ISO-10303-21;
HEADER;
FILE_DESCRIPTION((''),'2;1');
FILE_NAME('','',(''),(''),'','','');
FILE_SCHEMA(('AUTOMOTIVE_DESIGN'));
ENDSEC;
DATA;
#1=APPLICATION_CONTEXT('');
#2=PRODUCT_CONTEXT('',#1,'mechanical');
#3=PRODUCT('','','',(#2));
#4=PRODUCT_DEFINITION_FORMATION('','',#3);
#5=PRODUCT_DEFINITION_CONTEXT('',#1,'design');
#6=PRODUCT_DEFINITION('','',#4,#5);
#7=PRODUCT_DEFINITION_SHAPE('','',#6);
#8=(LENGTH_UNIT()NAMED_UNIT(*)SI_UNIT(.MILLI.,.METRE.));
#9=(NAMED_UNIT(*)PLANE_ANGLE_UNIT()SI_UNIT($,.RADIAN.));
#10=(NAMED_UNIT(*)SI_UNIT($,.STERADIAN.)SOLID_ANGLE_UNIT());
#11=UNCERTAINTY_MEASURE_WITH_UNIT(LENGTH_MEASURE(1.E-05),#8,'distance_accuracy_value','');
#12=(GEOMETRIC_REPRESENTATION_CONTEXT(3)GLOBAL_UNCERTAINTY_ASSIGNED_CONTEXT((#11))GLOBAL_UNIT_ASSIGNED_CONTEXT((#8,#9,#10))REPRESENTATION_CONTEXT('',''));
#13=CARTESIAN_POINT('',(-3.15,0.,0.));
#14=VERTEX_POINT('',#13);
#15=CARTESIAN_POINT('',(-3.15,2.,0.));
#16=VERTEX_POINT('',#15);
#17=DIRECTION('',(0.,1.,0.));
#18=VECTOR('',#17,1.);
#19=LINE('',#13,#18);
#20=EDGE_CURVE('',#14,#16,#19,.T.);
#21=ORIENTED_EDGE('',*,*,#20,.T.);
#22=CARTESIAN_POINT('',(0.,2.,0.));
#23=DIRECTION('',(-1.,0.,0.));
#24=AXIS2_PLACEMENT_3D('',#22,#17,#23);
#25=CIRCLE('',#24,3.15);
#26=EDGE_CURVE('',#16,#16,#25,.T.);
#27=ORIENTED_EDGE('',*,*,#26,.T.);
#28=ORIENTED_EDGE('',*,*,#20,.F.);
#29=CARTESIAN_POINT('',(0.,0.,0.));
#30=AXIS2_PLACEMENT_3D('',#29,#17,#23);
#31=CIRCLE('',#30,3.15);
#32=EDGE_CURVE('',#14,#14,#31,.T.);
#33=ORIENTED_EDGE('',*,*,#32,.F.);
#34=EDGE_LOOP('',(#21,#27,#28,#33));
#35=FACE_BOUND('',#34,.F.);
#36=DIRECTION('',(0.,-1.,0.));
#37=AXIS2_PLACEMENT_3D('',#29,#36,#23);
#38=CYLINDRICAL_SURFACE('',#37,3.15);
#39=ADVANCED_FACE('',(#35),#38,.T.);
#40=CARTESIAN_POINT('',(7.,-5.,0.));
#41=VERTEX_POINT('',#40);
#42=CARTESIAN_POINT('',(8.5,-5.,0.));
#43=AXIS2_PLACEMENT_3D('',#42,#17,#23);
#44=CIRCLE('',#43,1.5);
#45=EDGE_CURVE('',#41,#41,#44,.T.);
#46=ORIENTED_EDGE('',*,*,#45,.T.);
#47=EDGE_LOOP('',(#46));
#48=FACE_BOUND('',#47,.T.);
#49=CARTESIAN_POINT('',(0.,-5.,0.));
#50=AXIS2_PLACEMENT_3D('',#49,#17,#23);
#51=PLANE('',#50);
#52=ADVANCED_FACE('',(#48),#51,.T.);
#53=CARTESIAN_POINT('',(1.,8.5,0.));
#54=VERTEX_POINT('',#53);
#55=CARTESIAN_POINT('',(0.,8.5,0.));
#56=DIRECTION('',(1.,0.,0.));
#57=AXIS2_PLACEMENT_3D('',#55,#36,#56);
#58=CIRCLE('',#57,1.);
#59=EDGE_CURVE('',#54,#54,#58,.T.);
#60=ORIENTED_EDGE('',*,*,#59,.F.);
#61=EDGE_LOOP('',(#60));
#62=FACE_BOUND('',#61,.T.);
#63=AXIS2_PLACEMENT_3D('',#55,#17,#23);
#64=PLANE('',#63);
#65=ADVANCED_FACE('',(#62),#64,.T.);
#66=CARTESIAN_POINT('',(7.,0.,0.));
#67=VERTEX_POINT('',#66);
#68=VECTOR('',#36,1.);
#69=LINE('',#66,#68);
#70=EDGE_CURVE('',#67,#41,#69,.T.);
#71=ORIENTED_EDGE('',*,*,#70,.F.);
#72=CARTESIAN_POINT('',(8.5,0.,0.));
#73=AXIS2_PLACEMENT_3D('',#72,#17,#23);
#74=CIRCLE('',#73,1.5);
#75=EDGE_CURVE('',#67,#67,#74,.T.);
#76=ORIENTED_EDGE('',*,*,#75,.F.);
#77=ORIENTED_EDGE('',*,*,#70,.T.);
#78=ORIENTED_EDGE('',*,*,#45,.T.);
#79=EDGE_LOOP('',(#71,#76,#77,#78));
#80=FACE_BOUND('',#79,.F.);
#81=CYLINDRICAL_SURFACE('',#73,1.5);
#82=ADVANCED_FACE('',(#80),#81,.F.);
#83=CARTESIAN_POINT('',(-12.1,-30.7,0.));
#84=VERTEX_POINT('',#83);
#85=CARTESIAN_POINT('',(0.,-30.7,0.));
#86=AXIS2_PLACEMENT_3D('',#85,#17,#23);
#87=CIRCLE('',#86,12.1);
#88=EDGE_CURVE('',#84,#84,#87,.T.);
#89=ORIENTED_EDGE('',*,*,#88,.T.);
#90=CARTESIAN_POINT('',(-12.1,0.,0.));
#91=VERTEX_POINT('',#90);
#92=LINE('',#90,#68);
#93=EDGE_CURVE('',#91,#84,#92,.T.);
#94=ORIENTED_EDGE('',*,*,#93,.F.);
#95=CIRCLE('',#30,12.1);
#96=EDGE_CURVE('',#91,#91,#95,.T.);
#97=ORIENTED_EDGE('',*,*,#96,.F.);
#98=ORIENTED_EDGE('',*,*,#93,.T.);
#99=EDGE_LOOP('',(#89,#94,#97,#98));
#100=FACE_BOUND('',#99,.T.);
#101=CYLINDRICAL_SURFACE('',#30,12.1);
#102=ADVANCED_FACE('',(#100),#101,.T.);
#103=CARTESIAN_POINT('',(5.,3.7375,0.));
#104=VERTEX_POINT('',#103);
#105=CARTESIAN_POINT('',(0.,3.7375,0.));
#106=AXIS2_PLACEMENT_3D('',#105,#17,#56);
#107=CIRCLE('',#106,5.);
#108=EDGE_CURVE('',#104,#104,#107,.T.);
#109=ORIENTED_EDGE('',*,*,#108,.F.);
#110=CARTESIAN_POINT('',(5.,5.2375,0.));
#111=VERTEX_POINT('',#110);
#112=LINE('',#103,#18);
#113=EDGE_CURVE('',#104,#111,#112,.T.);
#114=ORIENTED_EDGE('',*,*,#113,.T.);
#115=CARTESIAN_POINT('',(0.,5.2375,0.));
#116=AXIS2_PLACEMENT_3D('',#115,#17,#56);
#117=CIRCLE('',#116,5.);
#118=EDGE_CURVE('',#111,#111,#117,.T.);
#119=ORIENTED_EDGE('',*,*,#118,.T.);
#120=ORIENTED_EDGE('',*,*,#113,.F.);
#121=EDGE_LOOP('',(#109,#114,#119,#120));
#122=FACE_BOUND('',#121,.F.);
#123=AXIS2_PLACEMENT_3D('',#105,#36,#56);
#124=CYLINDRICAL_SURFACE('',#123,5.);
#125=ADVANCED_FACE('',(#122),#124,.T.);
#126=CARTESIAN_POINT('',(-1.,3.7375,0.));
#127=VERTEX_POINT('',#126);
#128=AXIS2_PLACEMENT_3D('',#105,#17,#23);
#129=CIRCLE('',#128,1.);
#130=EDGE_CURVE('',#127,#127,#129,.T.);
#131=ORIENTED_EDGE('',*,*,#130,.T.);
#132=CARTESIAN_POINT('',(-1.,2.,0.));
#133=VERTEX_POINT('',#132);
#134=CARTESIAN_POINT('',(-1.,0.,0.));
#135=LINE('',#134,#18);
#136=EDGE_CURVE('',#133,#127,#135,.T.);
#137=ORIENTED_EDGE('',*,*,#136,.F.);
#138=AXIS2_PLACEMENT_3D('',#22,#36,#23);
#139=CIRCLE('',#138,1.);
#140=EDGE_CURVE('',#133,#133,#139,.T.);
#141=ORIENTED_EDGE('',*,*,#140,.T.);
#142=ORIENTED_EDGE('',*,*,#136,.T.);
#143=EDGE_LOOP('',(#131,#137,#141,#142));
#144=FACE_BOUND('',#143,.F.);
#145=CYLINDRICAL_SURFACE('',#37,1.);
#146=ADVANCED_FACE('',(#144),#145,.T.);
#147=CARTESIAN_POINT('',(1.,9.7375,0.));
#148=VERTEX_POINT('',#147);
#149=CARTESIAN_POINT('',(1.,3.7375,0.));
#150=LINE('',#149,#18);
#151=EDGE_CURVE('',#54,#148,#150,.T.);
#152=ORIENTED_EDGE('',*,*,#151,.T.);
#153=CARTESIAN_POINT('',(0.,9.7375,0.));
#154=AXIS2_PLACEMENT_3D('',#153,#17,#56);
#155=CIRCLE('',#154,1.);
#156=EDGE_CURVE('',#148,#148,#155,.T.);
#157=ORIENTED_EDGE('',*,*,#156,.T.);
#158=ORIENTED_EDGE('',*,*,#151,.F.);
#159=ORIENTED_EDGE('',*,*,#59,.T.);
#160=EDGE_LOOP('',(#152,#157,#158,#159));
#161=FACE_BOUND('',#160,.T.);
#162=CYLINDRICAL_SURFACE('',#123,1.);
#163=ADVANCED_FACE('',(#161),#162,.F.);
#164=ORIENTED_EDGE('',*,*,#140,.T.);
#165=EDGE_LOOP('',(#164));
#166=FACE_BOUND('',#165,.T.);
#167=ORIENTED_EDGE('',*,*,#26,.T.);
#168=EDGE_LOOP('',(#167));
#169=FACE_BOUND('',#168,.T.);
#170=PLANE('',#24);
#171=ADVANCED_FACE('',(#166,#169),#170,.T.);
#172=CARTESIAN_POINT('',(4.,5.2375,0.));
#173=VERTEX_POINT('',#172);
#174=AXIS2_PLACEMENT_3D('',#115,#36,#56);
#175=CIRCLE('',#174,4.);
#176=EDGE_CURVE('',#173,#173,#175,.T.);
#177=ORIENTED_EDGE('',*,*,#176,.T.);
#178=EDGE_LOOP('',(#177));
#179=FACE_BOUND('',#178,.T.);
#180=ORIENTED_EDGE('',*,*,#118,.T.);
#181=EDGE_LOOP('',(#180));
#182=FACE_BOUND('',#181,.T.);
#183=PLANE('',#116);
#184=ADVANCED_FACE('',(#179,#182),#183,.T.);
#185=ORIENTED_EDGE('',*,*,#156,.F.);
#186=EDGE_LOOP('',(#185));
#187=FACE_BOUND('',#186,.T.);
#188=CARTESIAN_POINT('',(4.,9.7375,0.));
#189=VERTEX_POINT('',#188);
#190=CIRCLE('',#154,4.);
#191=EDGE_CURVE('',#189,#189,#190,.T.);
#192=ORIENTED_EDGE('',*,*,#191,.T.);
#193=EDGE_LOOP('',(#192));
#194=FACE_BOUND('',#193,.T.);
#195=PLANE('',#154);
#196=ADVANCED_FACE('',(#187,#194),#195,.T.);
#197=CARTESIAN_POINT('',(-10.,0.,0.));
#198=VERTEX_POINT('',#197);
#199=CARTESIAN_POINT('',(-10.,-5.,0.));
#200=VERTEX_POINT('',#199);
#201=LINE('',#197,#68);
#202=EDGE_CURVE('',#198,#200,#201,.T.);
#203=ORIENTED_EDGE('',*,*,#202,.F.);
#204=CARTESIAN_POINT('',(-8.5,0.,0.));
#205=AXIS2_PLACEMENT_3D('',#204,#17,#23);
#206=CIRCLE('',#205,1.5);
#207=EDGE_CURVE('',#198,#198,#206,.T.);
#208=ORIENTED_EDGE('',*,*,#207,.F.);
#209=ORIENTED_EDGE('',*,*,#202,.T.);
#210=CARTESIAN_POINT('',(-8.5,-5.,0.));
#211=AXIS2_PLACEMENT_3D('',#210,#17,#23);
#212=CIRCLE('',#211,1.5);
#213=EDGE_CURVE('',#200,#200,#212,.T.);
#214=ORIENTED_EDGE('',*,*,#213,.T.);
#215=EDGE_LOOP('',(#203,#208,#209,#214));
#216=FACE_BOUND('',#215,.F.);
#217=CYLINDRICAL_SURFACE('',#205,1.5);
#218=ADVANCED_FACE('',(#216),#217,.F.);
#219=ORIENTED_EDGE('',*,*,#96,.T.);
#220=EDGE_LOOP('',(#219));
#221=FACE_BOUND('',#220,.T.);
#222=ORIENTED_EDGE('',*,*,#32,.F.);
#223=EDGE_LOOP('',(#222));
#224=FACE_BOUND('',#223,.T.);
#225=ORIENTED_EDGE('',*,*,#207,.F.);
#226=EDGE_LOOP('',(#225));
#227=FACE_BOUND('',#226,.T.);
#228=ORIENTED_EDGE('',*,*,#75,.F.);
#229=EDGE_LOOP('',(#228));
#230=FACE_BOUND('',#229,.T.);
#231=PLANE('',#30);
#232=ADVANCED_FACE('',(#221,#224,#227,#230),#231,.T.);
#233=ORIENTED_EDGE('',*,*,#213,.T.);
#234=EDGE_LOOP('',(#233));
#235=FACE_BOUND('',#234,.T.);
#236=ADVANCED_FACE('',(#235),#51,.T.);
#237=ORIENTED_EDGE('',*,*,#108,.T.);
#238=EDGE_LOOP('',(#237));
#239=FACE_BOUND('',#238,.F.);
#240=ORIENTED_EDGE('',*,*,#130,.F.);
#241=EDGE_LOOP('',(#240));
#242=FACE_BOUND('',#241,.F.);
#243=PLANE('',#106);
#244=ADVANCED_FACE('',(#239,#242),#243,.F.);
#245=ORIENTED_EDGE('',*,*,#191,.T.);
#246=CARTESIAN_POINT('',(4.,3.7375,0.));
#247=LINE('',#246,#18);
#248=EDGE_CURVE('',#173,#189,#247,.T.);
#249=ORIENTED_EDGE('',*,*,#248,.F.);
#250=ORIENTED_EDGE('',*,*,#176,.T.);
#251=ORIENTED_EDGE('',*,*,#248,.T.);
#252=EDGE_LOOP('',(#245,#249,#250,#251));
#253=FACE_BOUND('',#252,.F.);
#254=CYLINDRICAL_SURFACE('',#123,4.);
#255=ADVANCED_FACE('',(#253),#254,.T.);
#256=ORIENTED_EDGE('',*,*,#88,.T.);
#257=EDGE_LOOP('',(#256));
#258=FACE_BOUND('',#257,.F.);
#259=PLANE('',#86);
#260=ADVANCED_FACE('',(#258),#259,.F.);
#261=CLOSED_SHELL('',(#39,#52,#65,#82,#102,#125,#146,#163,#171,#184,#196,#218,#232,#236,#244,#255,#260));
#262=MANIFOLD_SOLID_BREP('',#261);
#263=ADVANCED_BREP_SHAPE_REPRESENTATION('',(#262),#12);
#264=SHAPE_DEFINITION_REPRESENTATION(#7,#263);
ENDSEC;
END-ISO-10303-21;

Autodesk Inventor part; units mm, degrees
ref_plane "YZ Plane" through (0, 0, 0) normal (1, 0, 0) x (0, 1, 0)
ref_plane "XZ Plane" through (0, 0, 0) normal (0, 1, 0) x (-1, 0, 0)
ref_plane "XY Plane" through (0, 0, 0) normal (0, 0, 1) x (1, 0, 0)
sketch "Sketch1" plane through (0, 0, 0) normal (0, 1, 0) x (-1, 0, 0)
  circle A0 centre (0, 0) radius 12.1
  circle A1 centre (0, 0) radius 3.15
  circle A2 centre (0, 0) radius 1
  circle A3 centre (-8.5, 0) radius 1.5
  circle A4 centre (8.5, 0) radius 1.5
  dimension "d0" = 24.2
  dimension "d1" = 6.3
  dimension "d6" = 2
  dimension "d16" = 3
  dimension "d17" = 3
  dimension "d18" = 8.5
  dimension "d19" = 8.5
extrude "Extrusion1" add sketch "Sketch1" against normal blind 30.7 contours A0 | A1 | A2 | A3 | A4
extrude "Extrusion2" add sketch "Sketch1" along normal blind 2 contours A1 | A2
extrude "Extrusion3" add sketch "Sketch1" along normal blind 8.5 contours A2
ref_plane "Work Plane1" through (0, 3.7375, 0) normal (0, 1, 0) x (1, 0, 0)
sketch "Sketch2" plane through (0, 3.7375, 0) normal (0, 1, 0) x (1, 0, 0)
  circle A0 centre (0, 0) radius 5
  circle A1 centre (0, 0) radius 1 projected
  circle A2 centre (0, 0) radius 4
  dimension "d10" = 10
  dimension "d11" = 8
extrude "Extrusion4" add sketch "Sketch2" along normal blind 1.5 contours A0 | A2
extrude "Extrusion5" add sketch "Sketch2" along normal blind 6 contours A2
extrude "Extrusion6" cut sketch "Sketch1" against normal blind 5 contours A3 | A4
properties part number "Motor"
